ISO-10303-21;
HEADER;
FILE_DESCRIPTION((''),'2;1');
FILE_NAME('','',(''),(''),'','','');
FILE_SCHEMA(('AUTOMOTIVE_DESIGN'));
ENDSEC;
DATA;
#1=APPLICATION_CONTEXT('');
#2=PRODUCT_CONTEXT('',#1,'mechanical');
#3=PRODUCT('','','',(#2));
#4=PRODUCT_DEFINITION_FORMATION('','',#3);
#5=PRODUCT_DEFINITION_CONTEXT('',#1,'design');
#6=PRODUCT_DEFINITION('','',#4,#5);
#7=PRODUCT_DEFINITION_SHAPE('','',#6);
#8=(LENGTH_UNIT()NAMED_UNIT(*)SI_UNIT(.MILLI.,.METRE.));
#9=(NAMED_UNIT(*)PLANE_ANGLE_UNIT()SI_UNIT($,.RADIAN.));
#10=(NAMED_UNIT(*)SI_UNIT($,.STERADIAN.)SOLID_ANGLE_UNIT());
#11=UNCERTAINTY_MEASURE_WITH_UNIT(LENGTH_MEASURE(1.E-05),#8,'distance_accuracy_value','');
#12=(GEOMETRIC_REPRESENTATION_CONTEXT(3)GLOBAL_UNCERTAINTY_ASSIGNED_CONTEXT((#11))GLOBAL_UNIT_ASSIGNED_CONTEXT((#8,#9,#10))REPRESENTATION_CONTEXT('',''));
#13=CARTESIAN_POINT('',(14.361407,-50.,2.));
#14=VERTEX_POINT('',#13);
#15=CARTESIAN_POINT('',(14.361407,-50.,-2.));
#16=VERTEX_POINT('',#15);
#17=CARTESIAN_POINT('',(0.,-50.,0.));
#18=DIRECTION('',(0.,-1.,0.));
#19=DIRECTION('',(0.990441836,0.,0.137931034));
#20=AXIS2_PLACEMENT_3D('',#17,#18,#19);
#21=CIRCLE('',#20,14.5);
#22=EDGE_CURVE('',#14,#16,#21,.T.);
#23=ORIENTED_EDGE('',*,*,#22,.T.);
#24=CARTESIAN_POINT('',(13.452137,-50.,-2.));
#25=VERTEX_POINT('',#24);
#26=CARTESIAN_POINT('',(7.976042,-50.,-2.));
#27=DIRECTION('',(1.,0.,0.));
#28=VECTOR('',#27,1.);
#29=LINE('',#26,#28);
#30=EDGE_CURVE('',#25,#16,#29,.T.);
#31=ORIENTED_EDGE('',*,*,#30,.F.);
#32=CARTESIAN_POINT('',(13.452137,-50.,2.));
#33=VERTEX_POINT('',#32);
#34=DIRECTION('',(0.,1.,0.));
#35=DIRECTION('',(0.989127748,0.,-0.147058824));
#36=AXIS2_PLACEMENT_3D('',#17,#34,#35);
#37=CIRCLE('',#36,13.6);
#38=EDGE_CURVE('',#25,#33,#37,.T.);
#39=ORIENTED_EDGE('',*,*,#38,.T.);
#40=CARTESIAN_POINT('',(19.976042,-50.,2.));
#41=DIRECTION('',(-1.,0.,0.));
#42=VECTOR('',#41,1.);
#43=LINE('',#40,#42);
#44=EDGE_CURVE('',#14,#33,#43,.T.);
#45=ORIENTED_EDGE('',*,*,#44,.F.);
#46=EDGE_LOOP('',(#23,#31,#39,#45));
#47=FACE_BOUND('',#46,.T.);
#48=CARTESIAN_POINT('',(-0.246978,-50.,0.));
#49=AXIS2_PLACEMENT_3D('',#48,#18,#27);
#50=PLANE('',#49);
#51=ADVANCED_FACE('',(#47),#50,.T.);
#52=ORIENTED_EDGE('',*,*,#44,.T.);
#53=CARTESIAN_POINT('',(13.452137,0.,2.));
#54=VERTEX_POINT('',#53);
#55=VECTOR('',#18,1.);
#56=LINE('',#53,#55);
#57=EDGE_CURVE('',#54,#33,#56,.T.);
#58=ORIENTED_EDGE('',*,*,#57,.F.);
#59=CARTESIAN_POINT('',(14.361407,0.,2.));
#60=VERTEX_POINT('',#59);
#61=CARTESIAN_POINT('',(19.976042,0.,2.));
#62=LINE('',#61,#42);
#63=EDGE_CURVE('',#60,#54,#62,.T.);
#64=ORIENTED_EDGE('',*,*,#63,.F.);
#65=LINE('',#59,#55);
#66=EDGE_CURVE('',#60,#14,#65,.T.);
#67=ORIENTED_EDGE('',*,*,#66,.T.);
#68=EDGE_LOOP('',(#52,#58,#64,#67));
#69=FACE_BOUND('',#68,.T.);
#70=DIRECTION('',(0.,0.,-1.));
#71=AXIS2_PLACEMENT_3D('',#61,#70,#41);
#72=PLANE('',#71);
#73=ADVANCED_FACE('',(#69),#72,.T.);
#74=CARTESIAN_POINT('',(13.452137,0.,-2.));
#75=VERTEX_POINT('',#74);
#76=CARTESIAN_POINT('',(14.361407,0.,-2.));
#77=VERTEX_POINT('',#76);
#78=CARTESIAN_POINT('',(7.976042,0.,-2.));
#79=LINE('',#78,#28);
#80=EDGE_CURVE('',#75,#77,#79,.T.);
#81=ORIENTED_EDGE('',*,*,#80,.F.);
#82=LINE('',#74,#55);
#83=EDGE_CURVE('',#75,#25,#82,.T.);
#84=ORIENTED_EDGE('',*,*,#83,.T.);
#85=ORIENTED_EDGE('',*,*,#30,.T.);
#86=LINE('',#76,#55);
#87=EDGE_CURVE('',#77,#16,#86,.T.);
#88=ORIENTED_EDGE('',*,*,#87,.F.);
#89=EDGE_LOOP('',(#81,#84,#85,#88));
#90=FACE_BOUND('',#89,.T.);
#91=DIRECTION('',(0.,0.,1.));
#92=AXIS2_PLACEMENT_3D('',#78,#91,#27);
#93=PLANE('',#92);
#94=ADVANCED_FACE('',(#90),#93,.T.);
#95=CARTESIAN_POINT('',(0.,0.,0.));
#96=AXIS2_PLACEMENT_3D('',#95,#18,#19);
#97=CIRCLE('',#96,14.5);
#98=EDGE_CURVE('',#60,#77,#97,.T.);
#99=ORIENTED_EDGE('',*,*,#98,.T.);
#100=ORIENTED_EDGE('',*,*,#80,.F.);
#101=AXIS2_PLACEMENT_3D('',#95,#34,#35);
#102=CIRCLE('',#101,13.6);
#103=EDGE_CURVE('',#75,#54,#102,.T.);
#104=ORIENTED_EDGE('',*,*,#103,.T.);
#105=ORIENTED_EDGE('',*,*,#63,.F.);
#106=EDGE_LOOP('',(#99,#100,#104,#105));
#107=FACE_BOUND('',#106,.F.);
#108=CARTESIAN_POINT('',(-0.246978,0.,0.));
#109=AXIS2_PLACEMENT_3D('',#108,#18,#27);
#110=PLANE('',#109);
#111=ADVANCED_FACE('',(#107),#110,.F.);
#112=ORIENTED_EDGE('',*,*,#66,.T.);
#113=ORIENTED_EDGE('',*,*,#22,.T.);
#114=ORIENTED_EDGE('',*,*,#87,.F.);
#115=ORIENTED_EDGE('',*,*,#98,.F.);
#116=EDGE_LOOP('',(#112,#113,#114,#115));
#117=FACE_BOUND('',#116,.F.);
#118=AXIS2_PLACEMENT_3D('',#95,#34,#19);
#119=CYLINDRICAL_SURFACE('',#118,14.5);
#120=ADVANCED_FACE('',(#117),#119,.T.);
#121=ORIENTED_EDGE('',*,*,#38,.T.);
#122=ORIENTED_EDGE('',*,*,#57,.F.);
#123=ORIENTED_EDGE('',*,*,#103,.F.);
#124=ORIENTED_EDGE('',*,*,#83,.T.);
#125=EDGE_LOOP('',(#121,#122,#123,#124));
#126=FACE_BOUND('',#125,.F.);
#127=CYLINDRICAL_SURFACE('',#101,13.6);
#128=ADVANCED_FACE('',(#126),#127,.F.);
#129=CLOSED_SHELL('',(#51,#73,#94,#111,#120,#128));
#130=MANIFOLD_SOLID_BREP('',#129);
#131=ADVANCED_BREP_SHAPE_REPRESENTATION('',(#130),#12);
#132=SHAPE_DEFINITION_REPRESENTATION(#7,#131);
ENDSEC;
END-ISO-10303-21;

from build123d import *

# Parameters (mm, degrees)
F1_DEPTH = 50
F2_DEPTH = 50


with BuildPart() as f1:
    # F0 (on Front) → F1 (new body)
    with BuildSketch(Plane.XZ):
        with BuildLine():
            ThreePointArc((13.4521373766, -2), (-13.6, 0), (13.4521373766, 2))
            Line((13.4521373766, 2), (14.3614066163, 2))
            ThreePointArc((14.3614066163, 2), (-14.5, 0), (14.3614066163, -2))
            Line((14.3614066163, -2), (13.4521373766, -2))
        make_face()
        with BuildLine():
            ThreePointArc((13.4521373766, 2), (13.5629839697, 1.0027291952), (13.6, 0))
            ThreePointArc((13.6, 0), (13.5629839697, -1.0027291952), (13.4521373766, -2))
            Line((13.4521373766, -2), (14.3614066163, -2))
            ThreePointArc((14.3614066163, -2), (14.465310158, -1.0023981402), (14.5, 0))
            ThreePointArc((14.5, 0), (14.465310158, 1.0023981402), (14.3614066163, 2))
            Line((14.3614066163, 2), (13.4521373766, 2))
        make_face()
    extrude(amount=F1_DEPTH)

    # F0 (on Front) → F2 (cut)
    with BuildSketch(Plane.XZ):
        with BuildLine():
            Line((19.9760421067, 2), (16.3783393542, 2))
            ThreePointArc((16.3783393542, 2), (16.469556754, 1.0018484557), (16.5, 0))
            ThreePointArc((16.5, 0), (16.469556754, -1.0018484557), (16.3783393542, -2))
            Line((16.3783393542, -2), (19.9760421067, -2))
            Line((19.9760421067, -2), (19.9760421067, 2))
        make_face()
        with BuildLine():
            Line((16.3783393542, 2), (14.3614066163, 2))
            ThreePointArc((14.3614066163, 2), (14.465310158, 1.0023981402), (14.5, 0))
            ThreePointArc((14.5, 0), (14.465310158, -1.0023981402), (14.3614066163, -2))
            Line((14.3614066163, -2), (16.3783393542, -2))
            ThreePointArc((16.3783393542, -2), (16.469556754, -1.0018484557), (16.5, 0))
            ThreePointArc((16.5, 0), (16.469556754, 1.0018484557), (16.3783393542, 2))
        make_face()
        with BuildLine():
            ThreePointArc((13.4521373766, 2), (13.5629839697, 1.0027291952), (13.6, 0))
            ThreePointArc((13.6, 0), (13.5629839697, -1.0027291952), (13.4521373766, -2))
            Line((13.4521373766, -2), (14.3614066163, -2))
            ThreePointArc((14.3614066163, -2), (14.465310158, -1.0023981402), (14.5, 0))
            ThreePointArc((14.5, 0), (14.465310158, 1.0023981402), (14.3614066163, 2))
            Line((14.3614066163, 2), (13.4521373766, 2))
        make_face()
        with BuildLine():
            ThreePointArc((13.4521373766, -2), (13.5629839697, -1.0027291952), (13.6, 0))
            ThreePointArc((13.6, 0), (13.5629839697, 1.0027291952), (13.4521373766, 2))
            Line((13.4521373766, 2), (7.9760421067, 2))
            Line((7.9760421067, 2), (7.9760421067, -2))
            Line((7.9760421067, -2), (13.4521373766, -2))
        make_face()
    extrude(amount=F2_DEPTH, mode=Mode.SUBTRACT)


solid = f1.part
